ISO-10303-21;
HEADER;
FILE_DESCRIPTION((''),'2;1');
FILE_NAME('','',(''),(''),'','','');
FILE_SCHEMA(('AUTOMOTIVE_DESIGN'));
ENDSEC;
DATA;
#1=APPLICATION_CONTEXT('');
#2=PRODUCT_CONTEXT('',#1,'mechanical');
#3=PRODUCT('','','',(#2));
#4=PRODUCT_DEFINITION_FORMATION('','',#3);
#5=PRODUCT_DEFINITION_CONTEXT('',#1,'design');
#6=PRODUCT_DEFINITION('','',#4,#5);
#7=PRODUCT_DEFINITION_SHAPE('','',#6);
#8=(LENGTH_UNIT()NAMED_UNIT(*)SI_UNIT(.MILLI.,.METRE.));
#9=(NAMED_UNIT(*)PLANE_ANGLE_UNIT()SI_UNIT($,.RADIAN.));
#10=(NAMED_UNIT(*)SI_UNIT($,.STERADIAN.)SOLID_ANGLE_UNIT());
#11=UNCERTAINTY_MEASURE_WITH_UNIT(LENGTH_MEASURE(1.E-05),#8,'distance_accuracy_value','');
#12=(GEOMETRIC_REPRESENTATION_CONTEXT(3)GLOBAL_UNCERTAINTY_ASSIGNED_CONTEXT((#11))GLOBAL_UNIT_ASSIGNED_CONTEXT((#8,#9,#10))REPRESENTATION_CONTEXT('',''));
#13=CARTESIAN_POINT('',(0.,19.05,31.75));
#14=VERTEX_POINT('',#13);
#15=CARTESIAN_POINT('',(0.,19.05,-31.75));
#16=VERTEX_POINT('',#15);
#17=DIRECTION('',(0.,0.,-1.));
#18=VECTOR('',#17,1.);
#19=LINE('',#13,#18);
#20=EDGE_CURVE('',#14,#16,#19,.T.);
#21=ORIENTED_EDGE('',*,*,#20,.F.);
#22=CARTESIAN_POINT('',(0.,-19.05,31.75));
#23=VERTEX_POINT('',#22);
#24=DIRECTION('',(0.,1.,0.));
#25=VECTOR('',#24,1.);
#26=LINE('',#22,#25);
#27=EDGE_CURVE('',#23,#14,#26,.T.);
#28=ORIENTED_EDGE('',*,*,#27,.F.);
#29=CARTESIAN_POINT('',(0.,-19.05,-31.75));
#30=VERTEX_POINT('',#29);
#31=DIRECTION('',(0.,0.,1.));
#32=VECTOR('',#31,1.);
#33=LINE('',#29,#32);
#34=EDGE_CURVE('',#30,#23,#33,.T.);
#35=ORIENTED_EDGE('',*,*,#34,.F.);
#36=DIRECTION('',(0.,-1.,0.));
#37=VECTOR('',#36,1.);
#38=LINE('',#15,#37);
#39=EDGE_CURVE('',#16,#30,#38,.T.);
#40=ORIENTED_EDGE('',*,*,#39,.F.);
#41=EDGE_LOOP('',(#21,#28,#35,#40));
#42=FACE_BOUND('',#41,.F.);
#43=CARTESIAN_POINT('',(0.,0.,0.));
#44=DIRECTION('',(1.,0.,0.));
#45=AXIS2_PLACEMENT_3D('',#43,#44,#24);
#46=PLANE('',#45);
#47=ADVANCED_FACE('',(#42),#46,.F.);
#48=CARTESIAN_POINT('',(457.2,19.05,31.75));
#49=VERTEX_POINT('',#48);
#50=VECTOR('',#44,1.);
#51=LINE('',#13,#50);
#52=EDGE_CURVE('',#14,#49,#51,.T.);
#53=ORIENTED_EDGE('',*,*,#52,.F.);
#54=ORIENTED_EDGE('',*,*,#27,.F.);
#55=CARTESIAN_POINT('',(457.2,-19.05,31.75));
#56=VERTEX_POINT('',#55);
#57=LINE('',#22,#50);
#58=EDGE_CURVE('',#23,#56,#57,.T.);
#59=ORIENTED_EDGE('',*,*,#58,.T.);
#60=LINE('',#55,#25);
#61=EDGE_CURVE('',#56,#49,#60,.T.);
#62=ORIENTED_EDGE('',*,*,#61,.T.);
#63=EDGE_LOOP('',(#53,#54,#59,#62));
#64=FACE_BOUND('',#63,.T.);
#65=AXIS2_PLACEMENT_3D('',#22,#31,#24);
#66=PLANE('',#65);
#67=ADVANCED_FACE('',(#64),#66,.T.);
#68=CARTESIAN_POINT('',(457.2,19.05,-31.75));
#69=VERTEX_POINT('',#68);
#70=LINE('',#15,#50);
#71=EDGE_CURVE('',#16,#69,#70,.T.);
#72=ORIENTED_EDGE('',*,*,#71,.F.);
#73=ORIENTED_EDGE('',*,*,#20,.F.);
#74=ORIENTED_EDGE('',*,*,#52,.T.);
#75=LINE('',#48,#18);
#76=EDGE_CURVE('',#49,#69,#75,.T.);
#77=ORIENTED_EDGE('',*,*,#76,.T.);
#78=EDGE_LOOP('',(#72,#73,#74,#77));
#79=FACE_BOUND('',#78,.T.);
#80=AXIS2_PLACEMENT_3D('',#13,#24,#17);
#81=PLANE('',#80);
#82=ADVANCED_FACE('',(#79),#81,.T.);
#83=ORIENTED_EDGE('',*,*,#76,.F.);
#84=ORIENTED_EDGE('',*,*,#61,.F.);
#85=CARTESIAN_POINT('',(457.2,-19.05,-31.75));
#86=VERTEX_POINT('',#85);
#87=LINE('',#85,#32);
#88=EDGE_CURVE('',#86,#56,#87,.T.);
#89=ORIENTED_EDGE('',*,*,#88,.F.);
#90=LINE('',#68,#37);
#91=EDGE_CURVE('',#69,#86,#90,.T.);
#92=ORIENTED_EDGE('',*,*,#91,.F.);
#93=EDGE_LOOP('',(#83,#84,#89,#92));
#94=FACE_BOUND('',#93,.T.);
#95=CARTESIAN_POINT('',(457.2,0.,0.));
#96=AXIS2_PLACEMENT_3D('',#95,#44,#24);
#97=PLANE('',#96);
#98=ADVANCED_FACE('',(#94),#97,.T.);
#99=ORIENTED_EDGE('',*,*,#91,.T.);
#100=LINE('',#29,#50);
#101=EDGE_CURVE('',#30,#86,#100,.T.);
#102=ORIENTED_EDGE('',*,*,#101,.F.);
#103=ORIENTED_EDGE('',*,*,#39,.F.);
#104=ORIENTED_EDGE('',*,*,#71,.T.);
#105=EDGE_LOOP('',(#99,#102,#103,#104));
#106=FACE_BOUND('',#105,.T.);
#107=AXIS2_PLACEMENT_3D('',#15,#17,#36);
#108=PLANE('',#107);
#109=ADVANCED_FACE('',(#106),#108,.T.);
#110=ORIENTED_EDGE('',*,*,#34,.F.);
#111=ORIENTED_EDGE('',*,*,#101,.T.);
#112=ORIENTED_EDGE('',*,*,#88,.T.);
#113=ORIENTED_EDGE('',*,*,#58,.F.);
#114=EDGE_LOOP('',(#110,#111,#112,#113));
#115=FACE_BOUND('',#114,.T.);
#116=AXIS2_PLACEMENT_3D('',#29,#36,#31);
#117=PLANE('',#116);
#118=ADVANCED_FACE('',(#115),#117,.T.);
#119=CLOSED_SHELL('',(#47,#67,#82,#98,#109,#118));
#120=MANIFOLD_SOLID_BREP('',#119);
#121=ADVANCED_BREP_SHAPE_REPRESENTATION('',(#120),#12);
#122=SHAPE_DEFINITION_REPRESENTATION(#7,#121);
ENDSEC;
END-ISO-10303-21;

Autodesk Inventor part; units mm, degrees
ref_plane "YZ Plane" through (0, 0, 0) normal (1, 0, 0) x (0, 1, 0)
ref_plane "XZ Plane" through (0, 0, 0) normal (0, 1, 0) x (-1, 0, 0)
ref_plane "XY Plane" through (0, 0, 0) normal (0, 0, 1) x (1, 0, 0)
sketch "Sketch1" plane through (0, 0, 0) normal (1, 0, 0) x (0, 1, 0)
  line L0 (-19.05, 31.75) -> (19.05, 31.75)
  line L1 (19.05, 31.75) -> (19.05, -31.75)
  line L2 (19.05, -31.75) -> (-19.05, -31.75)
  line L3 (-19.05, -31.75) -> (-19.05, 31.75)
  line L4 (-19.05, 31.75) -> (19.05, -31.75) construction
  line L5 (19.05, 31.75) -> (-19.05, -31.75) construction
  point P0 (0, 0)
  dimension "d0" = 38.1
  dimension "d1" = 63.5
extrude "Extrusion1" add sketch "Sketch1" along normal blind 457.2
properties part number "Rack and Pinion Wood Framing"
